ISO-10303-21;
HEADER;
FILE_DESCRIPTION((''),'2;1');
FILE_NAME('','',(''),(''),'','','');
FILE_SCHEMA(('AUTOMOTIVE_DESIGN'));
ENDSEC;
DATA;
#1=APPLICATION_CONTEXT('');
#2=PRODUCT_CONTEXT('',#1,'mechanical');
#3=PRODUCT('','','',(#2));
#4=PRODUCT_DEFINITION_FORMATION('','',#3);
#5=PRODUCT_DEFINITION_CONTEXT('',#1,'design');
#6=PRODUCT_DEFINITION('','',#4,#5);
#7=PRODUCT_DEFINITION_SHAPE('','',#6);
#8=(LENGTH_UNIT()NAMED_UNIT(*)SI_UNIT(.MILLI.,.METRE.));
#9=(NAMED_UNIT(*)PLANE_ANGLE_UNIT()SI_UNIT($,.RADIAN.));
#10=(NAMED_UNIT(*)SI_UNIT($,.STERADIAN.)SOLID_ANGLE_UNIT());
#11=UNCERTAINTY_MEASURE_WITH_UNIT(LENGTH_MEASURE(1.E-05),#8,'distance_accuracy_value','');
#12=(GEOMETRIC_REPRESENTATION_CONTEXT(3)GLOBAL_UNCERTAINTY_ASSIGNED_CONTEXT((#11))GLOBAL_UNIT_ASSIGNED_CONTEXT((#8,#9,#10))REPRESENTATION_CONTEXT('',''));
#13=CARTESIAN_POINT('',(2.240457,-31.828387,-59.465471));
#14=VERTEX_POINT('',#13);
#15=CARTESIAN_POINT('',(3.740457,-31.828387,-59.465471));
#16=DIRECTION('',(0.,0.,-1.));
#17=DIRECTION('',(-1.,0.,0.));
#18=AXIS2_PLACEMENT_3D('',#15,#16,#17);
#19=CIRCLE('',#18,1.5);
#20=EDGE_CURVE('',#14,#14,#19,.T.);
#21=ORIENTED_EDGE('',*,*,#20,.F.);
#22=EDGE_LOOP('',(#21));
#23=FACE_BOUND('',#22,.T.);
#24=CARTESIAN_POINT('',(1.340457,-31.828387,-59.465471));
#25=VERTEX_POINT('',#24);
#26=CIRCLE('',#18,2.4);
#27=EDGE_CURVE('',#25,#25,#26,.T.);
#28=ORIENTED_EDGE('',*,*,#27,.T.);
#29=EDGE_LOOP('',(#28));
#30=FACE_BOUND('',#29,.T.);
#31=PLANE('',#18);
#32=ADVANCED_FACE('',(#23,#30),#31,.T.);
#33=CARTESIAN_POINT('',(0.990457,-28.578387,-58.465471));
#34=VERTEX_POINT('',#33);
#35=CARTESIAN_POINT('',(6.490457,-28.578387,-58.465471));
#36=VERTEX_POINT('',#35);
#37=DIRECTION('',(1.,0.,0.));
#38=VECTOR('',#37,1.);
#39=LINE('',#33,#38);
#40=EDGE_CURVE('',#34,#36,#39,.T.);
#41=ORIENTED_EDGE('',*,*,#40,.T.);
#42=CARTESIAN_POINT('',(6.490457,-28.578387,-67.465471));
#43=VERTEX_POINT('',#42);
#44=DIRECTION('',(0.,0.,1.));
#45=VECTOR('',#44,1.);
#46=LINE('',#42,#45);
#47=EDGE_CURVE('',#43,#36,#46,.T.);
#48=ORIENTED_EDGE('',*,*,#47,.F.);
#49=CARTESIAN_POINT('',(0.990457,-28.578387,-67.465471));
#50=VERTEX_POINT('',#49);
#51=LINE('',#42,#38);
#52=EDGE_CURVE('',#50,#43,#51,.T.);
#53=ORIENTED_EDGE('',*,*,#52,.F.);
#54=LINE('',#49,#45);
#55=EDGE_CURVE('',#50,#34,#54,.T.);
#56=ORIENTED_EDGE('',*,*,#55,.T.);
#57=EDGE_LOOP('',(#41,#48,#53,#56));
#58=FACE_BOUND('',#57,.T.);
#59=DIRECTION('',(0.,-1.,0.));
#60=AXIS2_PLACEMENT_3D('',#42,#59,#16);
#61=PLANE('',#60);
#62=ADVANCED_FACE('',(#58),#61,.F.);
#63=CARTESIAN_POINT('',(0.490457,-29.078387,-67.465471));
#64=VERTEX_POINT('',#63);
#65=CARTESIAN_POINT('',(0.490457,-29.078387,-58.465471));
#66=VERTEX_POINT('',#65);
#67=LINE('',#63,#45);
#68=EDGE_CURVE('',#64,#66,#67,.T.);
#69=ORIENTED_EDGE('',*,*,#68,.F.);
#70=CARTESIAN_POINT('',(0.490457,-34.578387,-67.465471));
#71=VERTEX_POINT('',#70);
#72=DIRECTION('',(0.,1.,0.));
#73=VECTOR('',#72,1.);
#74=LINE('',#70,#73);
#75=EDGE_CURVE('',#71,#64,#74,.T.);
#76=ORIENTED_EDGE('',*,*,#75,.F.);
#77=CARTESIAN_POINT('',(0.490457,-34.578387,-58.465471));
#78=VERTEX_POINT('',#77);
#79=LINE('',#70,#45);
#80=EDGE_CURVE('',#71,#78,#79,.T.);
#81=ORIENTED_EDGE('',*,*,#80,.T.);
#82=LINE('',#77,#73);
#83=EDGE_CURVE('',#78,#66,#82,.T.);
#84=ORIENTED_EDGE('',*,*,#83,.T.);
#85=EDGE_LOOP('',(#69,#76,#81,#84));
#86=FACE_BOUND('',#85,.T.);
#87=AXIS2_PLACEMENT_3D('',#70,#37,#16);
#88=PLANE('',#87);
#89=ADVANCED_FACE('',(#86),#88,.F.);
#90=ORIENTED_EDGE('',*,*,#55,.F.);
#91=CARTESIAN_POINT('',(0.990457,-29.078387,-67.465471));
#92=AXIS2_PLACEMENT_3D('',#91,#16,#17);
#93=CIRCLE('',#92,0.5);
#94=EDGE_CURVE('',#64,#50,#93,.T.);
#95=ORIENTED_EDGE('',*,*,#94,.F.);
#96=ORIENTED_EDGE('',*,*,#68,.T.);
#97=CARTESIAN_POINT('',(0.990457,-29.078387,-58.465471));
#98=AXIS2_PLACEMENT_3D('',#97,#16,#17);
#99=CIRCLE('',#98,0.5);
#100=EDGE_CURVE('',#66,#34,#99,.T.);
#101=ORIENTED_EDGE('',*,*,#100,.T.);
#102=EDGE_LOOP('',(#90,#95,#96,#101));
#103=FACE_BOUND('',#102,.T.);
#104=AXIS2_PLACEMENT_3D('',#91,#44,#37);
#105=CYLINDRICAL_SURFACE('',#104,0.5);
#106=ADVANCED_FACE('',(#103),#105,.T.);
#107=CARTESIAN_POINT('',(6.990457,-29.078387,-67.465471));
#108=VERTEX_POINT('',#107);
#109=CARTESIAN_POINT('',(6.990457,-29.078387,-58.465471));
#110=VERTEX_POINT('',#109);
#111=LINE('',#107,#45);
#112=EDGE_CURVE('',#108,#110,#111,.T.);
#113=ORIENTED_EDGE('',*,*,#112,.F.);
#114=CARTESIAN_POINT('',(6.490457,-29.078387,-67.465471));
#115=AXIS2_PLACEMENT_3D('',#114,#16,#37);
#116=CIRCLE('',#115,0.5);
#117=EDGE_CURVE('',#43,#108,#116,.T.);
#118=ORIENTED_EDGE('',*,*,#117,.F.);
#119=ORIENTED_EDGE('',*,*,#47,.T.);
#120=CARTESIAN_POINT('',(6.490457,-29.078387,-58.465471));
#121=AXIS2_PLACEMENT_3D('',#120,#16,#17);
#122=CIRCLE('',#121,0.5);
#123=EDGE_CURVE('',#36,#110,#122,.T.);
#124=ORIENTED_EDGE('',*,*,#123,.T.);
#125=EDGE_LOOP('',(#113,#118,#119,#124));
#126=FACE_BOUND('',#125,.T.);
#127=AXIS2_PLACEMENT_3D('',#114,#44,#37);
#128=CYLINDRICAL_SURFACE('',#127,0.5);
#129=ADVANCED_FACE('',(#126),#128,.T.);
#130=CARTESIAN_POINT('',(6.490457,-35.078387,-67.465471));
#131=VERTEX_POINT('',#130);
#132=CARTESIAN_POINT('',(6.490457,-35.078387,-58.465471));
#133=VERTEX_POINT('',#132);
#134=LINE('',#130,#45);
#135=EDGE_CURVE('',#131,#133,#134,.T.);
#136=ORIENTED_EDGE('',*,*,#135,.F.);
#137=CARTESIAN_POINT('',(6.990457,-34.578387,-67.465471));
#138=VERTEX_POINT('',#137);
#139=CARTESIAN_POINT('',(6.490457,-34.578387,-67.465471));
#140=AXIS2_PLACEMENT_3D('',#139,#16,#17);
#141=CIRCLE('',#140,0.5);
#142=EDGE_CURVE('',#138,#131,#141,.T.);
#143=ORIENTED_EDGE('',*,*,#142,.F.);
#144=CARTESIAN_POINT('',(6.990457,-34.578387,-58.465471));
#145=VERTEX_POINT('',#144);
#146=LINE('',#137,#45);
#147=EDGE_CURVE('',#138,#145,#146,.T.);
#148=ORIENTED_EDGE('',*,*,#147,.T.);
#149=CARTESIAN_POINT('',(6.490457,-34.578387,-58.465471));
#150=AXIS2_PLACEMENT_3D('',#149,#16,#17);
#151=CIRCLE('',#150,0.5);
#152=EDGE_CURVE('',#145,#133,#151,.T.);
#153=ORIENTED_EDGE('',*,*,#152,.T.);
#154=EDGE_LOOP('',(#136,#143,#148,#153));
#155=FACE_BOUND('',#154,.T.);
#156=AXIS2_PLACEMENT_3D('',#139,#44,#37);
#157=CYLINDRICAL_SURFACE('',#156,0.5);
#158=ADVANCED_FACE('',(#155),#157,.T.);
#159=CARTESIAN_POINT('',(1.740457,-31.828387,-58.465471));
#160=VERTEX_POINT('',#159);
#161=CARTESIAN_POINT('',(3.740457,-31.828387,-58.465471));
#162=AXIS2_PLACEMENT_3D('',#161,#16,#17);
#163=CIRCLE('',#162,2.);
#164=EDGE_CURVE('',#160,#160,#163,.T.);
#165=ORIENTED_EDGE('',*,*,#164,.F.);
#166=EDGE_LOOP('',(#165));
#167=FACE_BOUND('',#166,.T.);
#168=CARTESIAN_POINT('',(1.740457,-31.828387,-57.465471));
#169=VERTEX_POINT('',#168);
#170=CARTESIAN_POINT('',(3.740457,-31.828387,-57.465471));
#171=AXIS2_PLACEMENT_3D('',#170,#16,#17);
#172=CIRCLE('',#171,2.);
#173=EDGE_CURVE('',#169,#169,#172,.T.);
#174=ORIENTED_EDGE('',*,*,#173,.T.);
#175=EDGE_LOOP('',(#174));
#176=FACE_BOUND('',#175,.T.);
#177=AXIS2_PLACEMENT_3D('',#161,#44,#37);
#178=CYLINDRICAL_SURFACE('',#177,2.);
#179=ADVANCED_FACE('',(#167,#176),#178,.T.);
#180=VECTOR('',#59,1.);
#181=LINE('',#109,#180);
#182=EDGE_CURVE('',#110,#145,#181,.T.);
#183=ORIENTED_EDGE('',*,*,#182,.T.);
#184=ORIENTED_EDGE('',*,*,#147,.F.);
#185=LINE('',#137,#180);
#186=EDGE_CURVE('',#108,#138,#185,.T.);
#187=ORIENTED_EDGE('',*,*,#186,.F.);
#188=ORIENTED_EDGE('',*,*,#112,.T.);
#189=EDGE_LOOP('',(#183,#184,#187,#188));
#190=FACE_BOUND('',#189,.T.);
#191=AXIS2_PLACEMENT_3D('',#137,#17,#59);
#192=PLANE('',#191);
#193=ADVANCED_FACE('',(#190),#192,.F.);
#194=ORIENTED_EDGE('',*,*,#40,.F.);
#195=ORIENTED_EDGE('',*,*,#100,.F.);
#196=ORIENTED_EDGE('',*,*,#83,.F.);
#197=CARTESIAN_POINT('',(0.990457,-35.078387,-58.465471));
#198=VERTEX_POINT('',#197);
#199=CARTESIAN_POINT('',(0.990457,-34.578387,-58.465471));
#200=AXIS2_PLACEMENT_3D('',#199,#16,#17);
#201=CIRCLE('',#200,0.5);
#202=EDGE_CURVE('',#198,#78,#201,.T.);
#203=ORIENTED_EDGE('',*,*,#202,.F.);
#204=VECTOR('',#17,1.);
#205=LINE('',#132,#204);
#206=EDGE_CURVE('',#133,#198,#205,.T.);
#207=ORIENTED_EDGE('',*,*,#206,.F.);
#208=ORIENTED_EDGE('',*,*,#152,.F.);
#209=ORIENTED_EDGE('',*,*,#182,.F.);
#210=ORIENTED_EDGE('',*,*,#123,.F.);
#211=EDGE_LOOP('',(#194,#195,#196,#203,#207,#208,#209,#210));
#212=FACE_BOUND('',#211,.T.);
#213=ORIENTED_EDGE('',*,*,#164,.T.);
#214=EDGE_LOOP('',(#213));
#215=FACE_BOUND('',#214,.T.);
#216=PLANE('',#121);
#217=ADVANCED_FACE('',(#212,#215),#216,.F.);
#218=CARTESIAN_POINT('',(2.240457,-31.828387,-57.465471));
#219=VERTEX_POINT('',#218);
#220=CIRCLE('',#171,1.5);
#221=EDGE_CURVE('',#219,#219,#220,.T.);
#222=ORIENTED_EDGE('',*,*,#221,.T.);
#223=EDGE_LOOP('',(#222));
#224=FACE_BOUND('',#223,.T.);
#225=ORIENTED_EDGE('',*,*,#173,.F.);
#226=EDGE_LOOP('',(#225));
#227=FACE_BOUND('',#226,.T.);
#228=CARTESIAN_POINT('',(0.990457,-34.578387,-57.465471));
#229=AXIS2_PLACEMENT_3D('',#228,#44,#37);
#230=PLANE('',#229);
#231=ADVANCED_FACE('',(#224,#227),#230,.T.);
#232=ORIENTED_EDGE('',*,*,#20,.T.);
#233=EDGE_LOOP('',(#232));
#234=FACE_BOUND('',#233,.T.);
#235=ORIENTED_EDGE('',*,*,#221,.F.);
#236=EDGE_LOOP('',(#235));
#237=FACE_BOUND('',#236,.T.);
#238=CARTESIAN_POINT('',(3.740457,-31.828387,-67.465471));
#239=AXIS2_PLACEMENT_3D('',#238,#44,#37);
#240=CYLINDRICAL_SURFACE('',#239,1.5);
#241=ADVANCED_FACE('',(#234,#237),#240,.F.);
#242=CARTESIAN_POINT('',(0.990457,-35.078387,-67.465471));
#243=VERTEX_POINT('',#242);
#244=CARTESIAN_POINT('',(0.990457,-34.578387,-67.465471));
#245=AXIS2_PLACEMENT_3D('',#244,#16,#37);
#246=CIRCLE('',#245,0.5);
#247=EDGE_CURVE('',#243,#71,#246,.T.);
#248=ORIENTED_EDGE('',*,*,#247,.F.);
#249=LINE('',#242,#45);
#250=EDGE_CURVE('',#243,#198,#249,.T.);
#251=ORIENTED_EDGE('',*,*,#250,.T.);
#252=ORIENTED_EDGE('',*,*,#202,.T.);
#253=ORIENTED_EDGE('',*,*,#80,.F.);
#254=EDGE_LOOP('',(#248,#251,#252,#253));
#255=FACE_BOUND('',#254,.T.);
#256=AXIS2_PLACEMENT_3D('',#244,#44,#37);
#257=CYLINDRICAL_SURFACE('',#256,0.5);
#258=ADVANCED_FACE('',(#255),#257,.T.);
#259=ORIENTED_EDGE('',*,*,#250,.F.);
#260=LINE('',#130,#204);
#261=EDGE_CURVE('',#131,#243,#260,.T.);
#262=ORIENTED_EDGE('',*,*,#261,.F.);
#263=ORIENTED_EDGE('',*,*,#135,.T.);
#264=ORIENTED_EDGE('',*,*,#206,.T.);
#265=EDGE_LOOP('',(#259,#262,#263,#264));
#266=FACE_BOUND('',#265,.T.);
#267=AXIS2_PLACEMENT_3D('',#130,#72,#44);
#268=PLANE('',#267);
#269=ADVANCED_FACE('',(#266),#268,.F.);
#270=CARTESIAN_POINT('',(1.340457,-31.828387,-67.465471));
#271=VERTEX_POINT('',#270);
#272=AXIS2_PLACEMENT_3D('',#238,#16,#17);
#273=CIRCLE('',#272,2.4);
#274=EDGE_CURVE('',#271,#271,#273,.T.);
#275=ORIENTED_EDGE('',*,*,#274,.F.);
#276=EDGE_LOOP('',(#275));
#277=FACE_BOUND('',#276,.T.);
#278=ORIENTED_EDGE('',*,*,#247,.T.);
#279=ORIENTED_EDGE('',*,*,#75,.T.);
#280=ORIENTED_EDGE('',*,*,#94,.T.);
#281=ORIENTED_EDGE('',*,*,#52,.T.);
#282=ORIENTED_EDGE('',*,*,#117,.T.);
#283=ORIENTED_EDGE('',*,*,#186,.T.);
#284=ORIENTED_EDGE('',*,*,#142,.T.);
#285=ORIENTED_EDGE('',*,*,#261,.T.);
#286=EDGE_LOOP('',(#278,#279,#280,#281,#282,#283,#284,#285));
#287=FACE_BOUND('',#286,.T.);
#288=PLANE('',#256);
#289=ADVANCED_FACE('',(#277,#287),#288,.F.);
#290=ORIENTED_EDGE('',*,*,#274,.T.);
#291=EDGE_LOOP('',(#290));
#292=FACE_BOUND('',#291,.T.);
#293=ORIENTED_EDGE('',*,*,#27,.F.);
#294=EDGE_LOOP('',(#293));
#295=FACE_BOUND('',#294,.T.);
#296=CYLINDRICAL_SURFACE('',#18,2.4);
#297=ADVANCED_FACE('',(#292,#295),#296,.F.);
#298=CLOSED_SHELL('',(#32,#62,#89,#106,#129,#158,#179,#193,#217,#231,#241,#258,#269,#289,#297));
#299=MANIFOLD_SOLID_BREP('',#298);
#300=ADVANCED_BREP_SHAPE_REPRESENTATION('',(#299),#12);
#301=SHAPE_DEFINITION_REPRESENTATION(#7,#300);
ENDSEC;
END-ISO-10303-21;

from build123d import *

# Parameters (mm, degrees)
SKETCH2_R           = 1.5
BOSS_EXTRUDE1_DEPTH = 10
SKETCH3_R           = 2
CUT_EXTRUDE1_DEPTH  = 1
SKETCH4_R           = 2.4
CUT_EXTRUDE2_DEPTH  = 8


with BuildPart() as part:
    # Sketch2 → Boss-Extrude1 (new body)
    with BuildSketch(Plane(origin=(0, 0, -57.465471353), x_dir=(-1, 0, 0), z_dir=(0, 0, -1))):
        with BuildLine():
            Line((-6.490457264, -35.078386779), (-0.990457264, -35.078386779))
            ThreePointArc((-0.990457264, -35.078386779), (-0.636903873, -34.931940169), (-0.490457264, -34.578386779))
            Line((-0.490457264, -34.578386779), (-0.490457264, -29.078386779))
            ThreePointArc((-0.490457264, -29.078386779), (-0.636903873, -28.724833388), (-0.990457264, -28.578386779))
            Line((-0.990457264, -28.578386779), (-6.490457264, -28.578386779))
            ThreePointArc((-6.490457264, -28.578386779), (-6.844010654, -28.724833388), (-6.990457264, -29.078386779))
            Line((-6.990457264, -29.078386779), (-6.990457264, -34.578386779))
            ThreePointArc((-6.990457264, -34.578386779), (-6.844010654, -34.931940169), (-6.490457264, -35.078386779))
        make_face()
        with Locations((-3.740457264, -31.828386779)):
            Circle(SKETCH2_R, mode=Mode.SUBTRACT)
    extrude(amount=BOSS_EXTRUDE1_DEPTH)

    # Sketch3 → Cut-Extrude1 (cut)
    with BuildSketch(Plane(origin=(0, 0, -57.465471353), x_dir=(-1, 0, 0), z_dir=(0, 0, -1))):
        with BuildLine():
            Line((-0.990457264, -28.578386779), (-6.490457264, -28.578386779))
            ThreePointArc((-6.490457264, -28.578386779), (-6.844010654, -28.724833388), (-6.990457264, -29.078386779))
            Line((-6.990457264, -29.078386779), (-6.990457264, -34.578386779))
            ThreePointArc((-6.990457264, -34.578386779), (-6.844010654, -34.931940169), (-6.490457264, -35.078386779))
            Line((-6.490457264, -35.078386779), (-0.990457264, -35.078386779))
            ThreePointArc((-0.990457264, -35.078386779), (-0.636903873, -34.931940169), (-0.490457264, -34.578386779))
            Line((-0.490457264, -34.578386779), (-0.490457264, -29.078386779))
            ThreePointArc((-0.490457264, -29.078386779), (-0.636903873, -28.724833388), (-0.990457264, -28.578386779))
        make_face()
        with Locations((-3.740457264, -31.828386779)):
            Circle(SKETCH3_R, mode=Mode.SUBTRACT)
    extrude(amount=CUT_EXTRUDE1_DEPTH, mode=Mode.SUBTRACT)

    # Sketch4 → Cut-Extrude2 (cut)
    with BuildSketch(Plane(origin=(0, 0, -67.465471353), x_dir=(-1, 0, 0), z_dir=(0, 0, -1))):
        with Locations((-3.740457264, -31.828386779)):
            Circle(SKETCH4_R)
    extrude(amount=-CUT_EXTRUDE2_DEPTH, mode=Mode.SUBTRACT)


solid = part.part
